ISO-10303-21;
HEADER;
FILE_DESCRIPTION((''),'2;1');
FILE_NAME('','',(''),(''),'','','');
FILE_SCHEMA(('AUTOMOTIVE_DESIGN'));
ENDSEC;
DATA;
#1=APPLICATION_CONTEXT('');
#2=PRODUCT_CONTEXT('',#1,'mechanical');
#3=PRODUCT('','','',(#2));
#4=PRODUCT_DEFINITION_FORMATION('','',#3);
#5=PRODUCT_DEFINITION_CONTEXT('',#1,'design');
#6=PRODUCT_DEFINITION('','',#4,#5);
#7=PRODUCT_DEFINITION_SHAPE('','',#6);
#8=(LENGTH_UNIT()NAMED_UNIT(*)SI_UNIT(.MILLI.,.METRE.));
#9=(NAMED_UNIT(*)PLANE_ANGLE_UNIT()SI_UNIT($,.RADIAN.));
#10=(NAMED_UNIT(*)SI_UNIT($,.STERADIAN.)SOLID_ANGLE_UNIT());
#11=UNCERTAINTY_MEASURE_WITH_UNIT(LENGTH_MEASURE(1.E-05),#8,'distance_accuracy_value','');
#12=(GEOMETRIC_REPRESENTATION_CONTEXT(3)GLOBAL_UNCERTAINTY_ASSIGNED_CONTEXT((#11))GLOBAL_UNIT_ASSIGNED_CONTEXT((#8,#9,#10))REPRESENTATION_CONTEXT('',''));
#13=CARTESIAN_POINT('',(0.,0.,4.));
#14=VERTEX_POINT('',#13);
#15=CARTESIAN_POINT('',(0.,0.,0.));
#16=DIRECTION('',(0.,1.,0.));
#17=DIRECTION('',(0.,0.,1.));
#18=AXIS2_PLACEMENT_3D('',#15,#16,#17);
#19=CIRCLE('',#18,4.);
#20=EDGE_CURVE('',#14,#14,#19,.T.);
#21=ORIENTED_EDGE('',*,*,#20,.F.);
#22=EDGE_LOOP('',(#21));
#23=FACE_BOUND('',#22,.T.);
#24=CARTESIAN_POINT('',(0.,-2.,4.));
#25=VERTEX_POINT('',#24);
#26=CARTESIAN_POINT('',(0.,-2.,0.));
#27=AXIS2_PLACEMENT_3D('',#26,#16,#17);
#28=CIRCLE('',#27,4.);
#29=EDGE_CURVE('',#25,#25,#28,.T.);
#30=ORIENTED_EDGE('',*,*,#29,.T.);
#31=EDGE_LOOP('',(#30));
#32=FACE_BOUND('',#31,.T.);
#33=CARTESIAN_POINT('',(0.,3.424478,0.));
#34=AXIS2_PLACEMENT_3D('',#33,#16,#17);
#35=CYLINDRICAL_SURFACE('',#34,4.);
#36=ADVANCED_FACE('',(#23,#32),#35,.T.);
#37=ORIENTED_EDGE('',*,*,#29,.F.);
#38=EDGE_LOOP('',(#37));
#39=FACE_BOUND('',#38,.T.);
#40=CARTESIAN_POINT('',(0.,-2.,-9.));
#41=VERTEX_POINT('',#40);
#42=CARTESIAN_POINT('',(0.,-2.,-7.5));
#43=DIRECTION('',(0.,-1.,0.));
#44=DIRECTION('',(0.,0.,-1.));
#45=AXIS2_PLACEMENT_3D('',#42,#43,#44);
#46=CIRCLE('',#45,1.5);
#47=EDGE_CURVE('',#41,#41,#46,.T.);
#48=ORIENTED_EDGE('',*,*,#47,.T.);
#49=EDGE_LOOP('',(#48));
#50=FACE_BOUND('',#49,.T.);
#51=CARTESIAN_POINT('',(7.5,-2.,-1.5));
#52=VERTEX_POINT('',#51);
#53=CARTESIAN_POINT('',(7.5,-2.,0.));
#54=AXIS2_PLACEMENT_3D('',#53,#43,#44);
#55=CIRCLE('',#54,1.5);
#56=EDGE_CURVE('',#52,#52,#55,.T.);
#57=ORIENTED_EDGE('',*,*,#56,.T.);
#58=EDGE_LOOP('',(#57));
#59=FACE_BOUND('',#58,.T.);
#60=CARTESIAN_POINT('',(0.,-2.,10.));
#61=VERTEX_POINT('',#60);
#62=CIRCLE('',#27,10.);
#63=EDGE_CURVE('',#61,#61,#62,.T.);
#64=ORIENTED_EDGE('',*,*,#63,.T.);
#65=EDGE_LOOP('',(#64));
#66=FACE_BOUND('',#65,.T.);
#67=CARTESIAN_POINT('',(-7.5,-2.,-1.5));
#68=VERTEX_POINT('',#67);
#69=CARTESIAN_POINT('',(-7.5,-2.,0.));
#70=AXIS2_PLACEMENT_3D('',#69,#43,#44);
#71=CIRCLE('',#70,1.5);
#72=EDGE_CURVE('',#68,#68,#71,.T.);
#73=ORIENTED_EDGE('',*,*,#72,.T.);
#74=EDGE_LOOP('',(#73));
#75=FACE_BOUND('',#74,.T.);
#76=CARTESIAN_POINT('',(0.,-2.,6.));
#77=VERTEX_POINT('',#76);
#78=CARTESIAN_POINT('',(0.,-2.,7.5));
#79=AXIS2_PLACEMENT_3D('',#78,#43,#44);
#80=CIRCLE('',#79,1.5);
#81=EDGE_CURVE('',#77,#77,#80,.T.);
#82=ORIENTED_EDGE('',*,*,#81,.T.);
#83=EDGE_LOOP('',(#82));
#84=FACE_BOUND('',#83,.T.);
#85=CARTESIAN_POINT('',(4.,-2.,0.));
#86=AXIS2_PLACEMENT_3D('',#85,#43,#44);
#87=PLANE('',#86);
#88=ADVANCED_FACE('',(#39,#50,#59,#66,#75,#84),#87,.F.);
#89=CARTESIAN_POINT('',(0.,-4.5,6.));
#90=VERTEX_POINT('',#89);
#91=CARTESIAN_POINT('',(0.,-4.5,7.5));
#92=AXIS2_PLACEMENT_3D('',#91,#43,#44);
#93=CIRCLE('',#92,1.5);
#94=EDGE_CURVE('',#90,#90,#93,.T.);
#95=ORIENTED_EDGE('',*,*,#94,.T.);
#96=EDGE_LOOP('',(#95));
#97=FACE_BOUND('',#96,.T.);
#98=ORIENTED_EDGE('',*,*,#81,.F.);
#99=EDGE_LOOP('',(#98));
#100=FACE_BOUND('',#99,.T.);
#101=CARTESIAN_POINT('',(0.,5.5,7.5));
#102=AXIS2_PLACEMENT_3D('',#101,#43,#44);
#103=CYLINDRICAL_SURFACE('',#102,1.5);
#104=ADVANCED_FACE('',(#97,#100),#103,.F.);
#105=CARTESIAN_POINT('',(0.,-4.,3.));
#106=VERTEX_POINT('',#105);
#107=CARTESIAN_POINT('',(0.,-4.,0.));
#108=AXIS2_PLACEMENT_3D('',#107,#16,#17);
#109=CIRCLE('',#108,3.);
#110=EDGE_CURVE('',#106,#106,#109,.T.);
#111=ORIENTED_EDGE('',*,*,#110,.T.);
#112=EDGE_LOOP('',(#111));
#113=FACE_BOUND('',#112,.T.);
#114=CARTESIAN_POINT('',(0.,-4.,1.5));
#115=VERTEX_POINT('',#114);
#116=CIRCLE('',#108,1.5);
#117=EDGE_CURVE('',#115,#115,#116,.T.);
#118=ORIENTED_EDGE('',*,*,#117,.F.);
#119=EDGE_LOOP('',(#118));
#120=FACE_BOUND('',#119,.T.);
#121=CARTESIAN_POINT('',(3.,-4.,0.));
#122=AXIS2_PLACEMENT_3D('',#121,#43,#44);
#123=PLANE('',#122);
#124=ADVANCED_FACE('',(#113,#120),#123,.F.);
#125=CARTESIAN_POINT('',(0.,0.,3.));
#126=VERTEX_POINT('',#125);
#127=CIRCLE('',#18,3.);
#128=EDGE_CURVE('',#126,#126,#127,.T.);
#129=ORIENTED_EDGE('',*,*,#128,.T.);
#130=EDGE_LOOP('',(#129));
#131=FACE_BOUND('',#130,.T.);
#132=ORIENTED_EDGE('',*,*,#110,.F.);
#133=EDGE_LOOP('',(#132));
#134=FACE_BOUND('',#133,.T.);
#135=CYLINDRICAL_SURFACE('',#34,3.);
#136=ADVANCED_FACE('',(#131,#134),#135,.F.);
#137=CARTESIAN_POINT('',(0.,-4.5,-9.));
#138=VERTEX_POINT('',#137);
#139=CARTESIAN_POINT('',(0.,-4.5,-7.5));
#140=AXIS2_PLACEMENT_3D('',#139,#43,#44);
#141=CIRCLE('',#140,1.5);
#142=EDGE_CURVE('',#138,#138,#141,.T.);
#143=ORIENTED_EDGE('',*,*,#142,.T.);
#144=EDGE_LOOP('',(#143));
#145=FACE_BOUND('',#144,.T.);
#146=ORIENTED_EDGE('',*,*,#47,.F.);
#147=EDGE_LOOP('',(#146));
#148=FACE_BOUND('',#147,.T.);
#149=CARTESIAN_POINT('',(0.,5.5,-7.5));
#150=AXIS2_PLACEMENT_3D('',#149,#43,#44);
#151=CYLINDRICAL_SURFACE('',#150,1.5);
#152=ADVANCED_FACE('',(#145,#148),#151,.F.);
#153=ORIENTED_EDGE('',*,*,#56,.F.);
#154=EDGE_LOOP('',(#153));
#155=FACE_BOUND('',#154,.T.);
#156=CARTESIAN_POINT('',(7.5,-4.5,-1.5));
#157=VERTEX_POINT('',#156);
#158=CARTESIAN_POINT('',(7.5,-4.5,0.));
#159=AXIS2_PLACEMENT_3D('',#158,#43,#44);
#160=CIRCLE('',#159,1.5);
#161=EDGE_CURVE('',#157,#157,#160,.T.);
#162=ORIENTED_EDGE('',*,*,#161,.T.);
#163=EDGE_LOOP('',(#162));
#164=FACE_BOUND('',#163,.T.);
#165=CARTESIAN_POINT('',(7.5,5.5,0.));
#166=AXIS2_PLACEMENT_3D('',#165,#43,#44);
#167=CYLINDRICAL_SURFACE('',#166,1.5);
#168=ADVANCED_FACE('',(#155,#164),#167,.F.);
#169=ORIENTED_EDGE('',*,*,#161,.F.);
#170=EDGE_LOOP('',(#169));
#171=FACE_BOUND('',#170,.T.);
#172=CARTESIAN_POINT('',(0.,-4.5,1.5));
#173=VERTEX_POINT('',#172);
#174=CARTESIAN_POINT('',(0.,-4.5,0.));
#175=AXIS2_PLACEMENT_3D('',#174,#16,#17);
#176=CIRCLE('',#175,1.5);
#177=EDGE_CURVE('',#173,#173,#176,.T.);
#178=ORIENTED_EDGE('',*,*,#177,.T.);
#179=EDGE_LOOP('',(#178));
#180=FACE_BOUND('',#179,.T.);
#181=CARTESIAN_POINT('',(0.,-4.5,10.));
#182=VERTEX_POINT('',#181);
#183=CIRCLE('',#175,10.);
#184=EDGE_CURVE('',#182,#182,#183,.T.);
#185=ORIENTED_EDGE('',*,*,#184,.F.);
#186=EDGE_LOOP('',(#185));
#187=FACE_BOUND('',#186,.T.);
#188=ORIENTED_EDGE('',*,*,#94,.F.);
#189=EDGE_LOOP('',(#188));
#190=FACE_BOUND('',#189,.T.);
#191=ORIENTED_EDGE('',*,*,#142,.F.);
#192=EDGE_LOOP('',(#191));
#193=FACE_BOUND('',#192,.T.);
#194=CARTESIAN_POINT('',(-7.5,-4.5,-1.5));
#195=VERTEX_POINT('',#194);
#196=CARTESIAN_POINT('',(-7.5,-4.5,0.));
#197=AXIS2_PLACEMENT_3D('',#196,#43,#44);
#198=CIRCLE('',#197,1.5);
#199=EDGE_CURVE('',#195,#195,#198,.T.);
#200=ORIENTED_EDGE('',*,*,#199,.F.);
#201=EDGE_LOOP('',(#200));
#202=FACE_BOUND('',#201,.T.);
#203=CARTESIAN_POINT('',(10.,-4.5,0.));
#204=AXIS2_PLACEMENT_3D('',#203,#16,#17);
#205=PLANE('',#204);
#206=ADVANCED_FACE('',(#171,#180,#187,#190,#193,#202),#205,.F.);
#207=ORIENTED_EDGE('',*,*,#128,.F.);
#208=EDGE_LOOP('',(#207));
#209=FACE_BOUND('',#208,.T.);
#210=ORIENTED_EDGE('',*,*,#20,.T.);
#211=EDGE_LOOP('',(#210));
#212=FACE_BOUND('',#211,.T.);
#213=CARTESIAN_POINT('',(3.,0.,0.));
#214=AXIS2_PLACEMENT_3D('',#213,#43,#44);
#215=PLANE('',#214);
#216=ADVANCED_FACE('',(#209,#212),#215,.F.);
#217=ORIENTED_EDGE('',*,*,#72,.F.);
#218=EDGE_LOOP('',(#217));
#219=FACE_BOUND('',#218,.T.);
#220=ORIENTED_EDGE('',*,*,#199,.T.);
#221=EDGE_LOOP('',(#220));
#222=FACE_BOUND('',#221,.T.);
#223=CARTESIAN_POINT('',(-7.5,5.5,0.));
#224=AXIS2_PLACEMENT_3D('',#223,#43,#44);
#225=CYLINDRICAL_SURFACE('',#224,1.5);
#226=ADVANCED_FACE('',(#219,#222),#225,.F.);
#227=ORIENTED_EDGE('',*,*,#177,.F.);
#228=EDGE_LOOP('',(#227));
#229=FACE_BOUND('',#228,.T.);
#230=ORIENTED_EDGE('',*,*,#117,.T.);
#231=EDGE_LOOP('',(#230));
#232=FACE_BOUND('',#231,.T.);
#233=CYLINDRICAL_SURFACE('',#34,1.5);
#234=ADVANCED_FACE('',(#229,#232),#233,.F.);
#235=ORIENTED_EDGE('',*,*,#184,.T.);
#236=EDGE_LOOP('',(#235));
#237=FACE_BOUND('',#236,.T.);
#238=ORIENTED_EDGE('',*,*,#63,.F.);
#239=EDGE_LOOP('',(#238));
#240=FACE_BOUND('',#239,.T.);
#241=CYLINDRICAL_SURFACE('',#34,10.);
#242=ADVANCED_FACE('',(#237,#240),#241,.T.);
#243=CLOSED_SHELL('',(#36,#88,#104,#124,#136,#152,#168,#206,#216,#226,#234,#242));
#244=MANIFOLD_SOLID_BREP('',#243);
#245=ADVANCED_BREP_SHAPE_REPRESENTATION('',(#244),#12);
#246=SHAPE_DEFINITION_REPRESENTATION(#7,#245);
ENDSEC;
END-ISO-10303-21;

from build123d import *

# Parameters (mm, degrees)
SKETCH2_R          = 1.5
CUT_EXTRUDE1_DEPTH = 10


with BuildPart() as part:
    # Sketch1 → Revolve1 (revolve)
    with BuildSketch(Plane.XY, mode=Mode.PRIVATE) as revolve1_sk:
        Polygon((3, 0), (4, 0), (4, -2), (10, -2), (10, -4.5), (1.5, -4.5), (1.5, -4), (3, -4), align=None)
    revolve(revolve1_sk.sketch.rotate(Axis((0, 3.424478083, 0), (0, -1, 0)), 90), axis=Axis((0, 3.424478083, 0), (0, -1, 0)))

    # Sketch2 → Cut-Extrude1 (cut)
    with BuildSketch(Plane.XZ.offset(4.5)):
        with Locations(Location((0, -7.5, 0), (0, 0, 270))):
            Circle(SKETCH2_R)
        with Locations(Location((-7.5, 0, 0), (0, 0, 270))):
            Circle(SKETCH2_R)
        with Locations(Location((0, 7.5, 0), (0, 0, 270))):
            Circle(SKETCH2_R)
        with Locations(Location((7.5, 0, 0), (0, 0, 270))):
            Circle(SKETCH2_R)
    extrude(amount=-CUT_EXTRUDE1_DEPTH, mode=Mode.SUBTRACT)


solid = part.part
